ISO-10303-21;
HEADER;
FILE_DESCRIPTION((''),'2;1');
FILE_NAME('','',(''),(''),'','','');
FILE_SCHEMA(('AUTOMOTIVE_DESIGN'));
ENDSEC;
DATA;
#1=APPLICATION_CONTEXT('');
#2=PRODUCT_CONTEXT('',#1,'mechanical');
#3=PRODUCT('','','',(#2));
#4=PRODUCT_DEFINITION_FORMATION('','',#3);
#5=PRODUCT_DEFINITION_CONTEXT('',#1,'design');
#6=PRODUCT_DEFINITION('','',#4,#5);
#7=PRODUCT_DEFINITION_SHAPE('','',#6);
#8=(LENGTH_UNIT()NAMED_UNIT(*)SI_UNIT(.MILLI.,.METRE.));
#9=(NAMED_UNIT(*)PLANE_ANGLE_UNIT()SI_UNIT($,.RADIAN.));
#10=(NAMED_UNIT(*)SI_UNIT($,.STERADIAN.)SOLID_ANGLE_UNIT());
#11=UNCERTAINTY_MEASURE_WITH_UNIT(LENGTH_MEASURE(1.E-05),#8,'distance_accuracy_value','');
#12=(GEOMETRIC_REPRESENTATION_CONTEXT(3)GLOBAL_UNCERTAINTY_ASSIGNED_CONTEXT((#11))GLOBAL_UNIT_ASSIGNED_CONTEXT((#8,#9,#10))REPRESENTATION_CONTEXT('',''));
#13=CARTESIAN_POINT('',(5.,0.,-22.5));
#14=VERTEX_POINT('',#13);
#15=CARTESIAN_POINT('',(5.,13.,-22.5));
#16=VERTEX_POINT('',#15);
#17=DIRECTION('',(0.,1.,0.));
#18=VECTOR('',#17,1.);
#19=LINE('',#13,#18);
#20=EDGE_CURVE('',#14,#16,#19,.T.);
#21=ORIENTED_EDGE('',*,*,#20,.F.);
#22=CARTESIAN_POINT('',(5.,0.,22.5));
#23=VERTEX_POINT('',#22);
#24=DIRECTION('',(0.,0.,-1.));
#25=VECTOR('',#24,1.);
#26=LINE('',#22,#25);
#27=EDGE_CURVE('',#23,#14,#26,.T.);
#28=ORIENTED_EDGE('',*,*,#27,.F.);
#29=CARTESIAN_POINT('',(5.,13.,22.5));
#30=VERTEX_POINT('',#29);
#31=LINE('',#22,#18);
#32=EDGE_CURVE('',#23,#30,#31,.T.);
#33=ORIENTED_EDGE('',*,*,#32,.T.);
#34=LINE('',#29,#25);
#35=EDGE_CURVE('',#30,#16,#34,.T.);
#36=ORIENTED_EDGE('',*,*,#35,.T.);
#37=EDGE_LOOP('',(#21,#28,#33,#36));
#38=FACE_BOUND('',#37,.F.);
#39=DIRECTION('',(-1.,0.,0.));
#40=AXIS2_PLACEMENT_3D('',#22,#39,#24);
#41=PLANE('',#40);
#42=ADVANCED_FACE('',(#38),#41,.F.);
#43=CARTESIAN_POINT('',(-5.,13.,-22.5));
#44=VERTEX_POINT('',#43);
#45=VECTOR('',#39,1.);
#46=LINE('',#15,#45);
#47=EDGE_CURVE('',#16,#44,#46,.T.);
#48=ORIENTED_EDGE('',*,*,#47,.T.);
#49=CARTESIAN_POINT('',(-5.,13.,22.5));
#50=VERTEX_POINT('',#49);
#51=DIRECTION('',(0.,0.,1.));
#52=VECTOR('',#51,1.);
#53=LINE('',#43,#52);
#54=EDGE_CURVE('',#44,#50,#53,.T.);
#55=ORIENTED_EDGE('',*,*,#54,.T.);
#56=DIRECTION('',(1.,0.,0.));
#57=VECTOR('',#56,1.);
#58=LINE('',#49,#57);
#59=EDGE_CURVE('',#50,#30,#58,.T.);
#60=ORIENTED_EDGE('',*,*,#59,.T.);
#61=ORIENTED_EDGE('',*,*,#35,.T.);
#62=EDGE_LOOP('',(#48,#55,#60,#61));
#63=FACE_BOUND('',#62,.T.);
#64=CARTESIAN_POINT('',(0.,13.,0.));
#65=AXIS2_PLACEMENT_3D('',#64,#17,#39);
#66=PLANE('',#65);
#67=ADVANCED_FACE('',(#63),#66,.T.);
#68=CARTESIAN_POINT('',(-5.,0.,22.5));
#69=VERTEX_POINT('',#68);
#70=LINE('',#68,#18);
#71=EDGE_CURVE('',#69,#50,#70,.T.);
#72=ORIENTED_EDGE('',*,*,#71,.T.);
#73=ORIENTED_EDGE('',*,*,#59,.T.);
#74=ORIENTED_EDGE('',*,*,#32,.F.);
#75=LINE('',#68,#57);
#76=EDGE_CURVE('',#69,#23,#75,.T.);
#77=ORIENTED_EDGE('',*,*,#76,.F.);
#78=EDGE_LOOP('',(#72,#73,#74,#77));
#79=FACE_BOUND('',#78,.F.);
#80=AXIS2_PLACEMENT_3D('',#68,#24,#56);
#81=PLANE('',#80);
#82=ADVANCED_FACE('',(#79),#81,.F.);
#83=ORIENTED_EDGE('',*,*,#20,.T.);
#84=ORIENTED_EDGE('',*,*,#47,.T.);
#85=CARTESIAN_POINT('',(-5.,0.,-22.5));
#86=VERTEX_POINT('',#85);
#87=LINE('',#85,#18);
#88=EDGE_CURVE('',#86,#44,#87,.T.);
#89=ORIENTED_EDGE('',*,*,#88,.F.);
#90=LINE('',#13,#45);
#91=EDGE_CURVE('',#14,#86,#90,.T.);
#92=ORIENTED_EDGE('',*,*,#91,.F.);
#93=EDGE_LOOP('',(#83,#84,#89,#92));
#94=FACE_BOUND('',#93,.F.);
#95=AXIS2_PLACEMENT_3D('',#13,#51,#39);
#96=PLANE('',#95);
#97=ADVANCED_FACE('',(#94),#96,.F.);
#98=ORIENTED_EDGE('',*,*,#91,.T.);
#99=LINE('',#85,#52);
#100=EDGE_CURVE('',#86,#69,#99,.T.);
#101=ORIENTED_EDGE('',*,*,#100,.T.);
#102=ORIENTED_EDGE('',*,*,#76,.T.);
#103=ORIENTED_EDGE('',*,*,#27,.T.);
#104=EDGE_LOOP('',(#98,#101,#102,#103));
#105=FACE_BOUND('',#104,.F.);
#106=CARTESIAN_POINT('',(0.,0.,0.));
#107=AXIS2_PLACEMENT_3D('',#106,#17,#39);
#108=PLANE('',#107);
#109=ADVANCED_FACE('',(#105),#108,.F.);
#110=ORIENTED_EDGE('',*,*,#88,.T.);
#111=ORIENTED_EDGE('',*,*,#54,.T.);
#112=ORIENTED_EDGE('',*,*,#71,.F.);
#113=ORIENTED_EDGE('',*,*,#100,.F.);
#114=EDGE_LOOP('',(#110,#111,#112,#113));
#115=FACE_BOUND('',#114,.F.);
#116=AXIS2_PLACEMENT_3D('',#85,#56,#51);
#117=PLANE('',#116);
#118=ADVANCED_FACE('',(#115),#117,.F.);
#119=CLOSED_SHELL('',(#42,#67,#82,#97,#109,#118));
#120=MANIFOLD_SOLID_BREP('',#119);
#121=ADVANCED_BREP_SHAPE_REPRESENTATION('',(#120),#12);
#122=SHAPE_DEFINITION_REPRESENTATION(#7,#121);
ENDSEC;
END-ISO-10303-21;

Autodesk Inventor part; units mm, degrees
ref_plane "YZ Plane" through (0, 0, 0) normal (1, 0, 0) x (0, 1, 0)
ref_plane "XZ Plane" through (0, 0, 0) normal (0, 1, 0) x (-1, 0, 0)
ref_plane "XY Plane" through (0, 0, 0) normal (0, 0, 1) x (1, 0, 0)
sketch "Skizze1" plane through (0, 0, 0) normal (0, 1, 0) x (-1, 0, 0)
  line L0 (5, 22.5) -> (-5, 22.5)
  line L1 (-5, 22.5) -> (-5, -22.5)
  line L2 (-5, -22.5) -> (5, -22.5)
  line L3 (5, -22.5) -> (5, 22.5)
  line L4 (0, -31.5) -> (0, 31.5) construction
  line L5 (7, 0) -> (-7, 0) construction
  point P0 (0, 0)
  dimension "d0" = 10
  dimension "d1" = 45
extrude "Extrusion1" add sketch "Skizze1" along normal blind 13
properties part number "Wellennut_Antrieb_Propeller"
